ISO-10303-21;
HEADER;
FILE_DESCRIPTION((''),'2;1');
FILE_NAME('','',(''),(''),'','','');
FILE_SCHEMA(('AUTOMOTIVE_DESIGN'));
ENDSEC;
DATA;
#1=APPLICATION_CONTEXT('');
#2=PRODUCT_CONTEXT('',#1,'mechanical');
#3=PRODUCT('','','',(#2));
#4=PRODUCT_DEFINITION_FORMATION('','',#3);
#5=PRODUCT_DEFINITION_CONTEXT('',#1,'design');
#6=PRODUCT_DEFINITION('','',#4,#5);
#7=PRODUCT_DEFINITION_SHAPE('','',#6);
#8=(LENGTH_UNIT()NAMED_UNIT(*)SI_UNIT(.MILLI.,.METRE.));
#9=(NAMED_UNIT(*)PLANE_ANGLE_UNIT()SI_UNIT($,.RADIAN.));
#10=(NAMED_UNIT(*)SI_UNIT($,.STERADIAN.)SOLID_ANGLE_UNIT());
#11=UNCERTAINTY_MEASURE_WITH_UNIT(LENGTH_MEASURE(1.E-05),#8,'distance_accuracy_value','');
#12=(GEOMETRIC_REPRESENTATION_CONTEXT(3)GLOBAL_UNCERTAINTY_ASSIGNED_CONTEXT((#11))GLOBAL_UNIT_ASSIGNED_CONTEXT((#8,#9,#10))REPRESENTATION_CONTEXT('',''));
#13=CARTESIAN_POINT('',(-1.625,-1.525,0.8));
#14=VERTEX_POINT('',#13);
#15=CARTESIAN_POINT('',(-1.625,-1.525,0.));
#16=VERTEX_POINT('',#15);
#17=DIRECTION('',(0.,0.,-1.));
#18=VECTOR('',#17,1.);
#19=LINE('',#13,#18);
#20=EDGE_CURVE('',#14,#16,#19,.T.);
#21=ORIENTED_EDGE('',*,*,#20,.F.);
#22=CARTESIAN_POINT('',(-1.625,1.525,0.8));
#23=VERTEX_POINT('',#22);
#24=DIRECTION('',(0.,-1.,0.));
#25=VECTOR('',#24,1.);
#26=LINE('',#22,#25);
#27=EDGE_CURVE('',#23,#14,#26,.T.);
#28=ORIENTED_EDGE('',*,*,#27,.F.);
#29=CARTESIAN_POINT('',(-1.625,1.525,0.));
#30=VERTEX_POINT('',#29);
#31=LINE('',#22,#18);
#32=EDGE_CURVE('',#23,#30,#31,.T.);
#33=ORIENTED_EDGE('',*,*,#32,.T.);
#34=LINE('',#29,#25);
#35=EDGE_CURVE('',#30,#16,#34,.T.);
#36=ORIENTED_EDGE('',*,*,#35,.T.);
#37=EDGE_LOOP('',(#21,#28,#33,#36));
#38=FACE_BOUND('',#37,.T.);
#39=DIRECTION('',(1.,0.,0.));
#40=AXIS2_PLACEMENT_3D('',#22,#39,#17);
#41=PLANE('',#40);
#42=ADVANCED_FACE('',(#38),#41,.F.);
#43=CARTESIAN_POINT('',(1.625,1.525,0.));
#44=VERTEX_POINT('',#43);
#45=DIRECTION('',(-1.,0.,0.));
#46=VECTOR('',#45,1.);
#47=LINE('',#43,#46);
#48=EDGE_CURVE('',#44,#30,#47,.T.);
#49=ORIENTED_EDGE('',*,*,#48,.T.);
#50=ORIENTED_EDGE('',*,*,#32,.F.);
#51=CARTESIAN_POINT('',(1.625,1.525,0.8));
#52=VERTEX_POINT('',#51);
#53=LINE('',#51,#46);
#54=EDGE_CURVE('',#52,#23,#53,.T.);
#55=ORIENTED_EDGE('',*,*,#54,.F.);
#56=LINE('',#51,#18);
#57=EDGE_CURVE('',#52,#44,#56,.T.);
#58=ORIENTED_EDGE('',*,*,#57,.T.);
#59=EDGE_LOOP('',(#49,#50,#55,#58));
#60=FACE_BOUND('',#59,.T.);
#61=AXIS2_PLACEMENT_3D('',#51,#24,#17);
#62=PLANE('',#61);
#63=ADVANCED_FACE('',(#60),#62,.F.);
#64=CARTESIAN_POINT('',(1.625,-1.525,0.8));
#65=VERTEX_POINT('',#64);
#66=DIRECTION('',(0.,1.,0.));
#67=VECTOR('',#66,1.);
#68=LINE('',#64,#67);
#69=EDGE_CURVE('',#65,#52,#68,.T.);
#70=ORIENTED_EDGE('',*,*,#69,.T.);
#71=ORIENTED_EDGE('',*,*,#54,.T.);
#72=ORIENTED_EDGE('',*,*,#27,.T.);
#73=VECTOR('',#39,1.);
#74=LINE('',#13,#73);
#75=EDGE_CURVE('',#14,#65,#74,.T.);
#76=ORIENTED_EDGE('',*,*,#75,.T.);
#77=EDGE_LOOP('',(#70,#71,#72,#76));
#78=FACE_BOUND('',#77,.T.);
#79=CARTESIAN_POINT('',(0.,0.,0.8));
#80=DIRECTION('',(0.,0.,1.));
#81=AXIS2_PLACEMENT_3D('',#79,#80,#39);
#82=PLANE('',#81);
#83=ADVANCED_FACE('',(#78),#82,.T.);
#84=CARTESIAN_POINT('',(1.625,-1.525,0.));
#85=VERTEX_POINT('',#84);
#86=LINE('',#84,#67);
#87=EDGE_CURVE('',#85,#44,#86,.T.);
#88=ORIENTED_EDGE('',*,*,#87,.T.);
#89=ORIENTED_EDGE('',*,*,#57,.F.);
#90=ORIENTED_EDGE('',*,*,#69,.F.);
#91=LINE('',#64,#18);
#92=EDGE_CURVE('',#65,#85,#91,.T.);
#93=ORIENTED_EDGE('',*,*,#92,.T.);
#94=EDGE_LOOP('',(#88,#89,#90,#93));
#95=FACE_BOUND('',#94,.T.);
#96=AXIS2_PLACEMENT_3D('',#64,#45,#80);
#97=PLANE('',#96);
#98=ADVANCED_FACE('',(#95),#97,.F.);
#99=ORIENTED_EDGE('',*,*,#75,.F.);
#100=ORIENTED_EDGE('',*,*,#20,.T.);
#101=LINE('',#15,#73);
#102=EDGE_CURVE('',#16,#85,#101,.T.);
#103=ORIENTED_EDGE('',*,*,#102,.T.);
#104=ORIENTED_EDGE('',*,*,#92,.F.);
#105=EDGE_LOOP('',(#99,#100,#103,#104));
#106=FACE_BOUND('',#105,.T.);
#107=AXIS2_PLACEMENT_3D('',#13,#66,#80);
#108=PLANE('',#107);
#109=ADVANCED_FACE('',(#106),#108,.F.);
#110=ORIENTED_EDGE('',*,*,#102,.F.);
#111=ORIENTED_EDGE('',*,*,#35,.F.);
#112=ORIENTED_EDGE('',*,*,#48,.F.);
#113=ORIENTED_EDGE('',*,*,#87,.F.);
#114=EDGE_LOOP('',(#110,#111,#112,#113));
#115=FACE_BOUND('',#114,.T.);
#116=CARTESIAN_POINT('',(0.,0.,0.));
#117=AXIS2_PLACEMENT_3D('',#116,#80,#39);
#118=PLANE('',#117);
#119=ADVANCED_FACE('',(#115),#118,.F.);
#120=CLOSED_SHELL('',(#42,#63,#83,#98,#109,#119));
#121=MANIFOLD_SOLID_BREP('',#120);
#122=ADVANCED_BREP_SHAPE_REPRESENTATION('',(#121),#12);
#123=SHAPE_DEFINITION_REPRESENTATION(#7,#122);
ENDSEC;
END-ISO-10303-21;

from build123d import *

# Parameters (mm, degrees)
SKETCH_1_W      = 3.25
SKETCH_1_H      = 3.05
EXTRUDE_1_DEPTH = 0.8


with BuildPart() as part:
    # 草图1 → 凸台-拉伸1 (new body)
    with BuildSketch(Plane.XY):
        Rectangle(SKETCH_1_W, SKETCH_1_H)
    extrude(amount=EXTRUDE_1_DEPTH)


solid = part.part
